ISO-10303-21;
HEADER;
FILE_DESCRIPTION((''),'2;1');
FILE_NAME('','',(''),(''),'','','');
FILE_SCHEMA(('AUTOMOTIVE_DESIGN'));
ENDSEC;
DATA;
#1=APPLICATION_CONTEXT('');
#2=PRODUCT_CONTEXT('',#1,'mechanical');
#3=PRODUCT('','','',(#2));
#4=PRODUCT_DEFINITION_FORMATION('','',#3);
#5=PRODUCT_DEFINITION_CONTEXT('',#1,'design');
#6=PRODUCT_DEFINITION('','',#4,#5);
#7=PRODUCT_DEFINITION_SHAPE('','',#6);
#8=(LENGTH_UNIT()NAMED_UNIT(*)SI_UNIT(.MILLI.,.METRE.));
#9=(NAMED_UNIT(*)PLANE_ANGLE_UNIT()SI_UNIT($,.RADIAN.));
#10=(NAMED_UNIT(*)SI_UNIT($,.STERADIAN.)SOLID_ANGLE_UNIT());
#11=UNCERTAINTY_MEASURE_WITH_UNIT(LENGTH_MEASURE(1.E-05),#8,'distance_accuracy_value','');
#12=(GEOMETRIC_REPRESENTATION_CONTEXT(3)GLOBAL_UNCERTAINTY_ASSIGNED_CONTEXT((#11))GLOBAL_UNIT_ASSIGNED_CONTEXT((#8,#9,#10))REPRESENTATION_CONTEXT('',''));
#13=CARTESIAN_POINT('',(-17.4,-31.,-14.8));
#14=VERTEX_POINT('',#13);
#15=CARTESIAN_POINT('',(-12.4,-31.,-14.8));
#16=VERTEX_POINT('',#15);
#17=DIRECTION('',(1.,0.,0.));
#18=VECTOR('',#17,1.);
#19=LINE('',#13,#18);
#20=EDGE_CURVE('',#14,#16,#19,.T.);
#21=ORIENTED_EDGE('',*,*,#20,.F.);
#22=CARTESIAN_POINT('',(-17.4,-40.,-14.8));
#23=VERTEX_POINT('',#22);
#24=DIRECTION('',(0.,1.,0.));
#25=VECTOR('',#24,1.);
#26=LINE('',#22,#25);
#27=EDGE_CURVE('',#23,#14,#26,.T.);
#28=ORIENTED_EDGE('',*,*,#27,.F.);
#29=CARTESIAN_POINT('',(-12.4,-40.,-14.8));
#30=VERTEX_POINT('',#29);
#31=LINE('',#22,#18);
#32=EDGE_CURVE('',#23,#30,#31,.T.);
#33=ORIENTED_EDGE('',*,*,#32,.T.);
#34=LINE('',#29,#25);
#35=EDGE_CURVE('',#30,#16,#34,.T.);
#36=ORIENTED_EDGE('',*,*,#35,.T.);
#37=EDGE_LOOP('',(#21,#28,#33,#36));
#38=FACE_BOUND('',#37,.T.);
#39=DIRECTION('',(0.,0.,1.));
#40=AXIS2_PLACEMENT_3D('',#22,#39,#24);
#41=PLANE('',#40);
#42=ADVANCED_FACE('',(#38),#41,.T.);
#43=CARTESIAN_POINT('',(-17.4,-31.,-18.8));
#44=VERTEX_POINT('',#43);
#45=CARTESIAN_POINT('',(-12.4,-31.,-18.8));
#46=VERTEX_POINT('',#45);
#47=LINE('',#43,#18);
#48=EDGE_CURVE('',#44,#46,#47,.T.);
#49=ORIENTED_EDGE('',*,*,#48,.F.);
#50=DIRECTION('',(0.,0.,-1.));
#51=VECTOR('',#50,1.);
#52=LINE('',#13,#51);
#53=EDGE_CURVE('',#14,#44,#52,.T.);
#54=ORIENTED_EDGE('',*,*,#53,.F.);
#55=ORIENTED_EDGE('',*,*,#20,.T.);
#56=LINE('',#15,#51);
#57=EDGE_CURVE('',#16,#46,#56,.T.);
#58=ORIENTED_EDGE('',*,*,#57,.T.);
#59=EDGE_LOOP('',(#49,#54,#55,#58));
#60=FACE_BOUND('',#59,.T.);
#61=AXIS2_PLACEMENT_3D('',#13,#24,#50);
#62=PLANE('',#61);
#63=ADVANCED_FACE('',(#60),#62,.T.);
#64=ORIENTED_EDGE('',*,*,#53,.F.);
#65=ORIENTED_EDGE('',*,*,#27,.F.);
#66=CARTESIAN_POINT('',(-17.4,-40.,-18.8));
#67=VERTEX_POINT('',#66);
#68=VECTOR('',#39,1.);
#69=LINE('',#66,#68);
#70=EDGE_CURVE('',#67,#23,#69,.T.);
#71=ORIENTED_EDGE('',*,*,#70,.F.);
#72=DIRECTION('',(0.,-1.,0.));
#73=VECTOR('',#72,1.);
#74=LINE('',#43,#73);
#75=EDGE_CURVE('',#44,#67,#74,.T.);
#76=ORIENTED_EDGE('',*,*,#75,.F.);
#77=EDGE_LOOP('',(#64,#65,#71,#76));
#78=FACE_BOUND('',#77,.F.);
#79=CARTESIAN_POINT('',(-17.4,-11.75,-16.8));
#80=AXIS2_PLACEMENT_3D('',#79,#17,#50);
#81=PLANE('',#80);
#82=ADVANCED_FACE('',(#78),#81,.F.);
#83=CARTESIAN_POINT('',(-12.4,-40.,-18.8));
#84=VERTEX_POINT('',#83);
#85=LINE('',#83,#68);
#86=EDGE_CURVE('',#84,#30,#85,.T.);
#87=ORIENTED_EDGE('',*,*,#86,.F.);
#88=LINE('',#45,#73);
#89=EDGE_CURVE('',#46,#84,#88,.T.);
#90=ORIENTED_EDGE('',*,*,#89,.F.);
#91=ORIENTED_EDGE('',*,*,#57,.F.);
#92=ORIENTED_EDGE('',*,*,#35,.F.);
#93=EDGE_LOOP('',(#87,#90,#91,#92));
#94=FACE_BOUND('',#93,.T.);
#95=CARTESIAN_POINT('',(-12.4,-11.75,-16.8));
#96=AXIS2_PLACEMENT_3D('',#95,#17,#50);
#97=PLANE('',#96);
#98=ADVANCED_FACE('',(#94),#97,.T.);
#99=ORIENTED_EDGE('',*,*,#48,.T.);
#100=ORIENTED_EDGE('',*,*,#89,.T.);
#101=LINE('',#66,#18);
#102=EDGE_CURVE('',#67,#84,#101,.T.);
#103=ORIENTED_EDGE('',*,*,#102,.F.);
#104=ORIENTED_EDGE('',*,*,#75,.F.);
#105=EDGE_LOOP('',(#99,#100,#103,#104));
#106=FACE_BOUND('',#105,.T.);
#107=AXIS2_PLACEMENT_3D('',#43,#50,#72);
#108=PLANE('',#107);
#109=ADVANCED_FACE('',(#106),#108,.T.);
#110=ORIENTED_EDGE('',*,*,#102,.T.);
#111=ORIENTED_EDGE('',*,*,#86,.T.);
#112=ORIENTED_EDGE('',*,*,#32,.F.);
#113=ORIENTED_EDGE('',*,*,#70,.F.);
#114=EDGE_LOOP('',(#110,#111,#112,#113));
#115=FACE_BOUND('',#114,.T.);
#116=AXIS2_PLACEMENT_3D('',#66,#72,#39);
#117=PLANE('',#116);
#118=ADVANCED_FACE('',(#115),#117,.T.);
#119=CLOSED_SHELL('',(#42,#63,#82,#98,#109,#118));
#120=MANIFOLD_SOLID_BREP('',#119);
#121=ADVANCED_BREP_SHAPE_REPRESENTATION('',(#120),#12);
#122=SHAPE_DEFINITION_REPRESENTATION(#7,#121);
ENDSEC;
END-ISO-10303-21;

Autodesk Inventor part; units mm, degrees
ref_plane "YZ Plane" through (0, 0, 0) normal (1, 0, 0) x (0, 1, 0)
ref_plane "XZ Plane" through (0, 0, 0) normal (0, 1, 0) x (-1, 0, 0)
ref_plane "XY Plane" through (0, 0, 0) normal (0, 0, 1) x (1, 0, 0)
ref_plane "Work Plane1" through (-57.455, -3.5, -14.8) normal (0, 0, 1) x (0, 1, 0)
ref_plane "Work Plane2" through (-57.455, -3.5, -14.8) normal (0, 0, 1) x (0, 1, 0)
ref_plane "Work Plane3" through (-17.4, -11.75, -16.8) normal (1, 0, 0) x (0, 0, -1)
sketch "Sketch3" plane through (-17.4, -11.75, -16.8) normal (1, 0, 0) x (0, 0, -1)
  line L0 (-2, 0) -> (2, 0) construction
  line L1 (-2, 0) -> (-2, -28.25) construction
  line L2 (2, -28.25) -> (-2, -28.25) construction
  line L3 (2, 0) -> (2, -28.25) construction
  line L4 (2, -28.25) -> (-2, -28.25) construction
  line L5 (-2, -28.25) -> (-2, -19.25) construction
  line L6 (-2, -19.25) -> (2, -19.25) construction
  line L7 (2, -19.25) -> (2, -28.25) construction
  line L8 (2, -28.25) -> (-2, -28.25)
  line L9 (-2, -28.25) -> (-2, -19.25)
  line L10 (-2, -19.25) -> (2, -19.25)
  line L11 (2, -19.25) -> (2, -28.25)
  point P0 (-16.8, 11.75)
  dimension "d0" = 4
  dimension "d1" = 9
  dimension "d2" = 4
  dimension "d3" = 9
extrude "Extrusion1" add sketch "Sketch3" along normal blind 5
properties part number "SupportBase"
